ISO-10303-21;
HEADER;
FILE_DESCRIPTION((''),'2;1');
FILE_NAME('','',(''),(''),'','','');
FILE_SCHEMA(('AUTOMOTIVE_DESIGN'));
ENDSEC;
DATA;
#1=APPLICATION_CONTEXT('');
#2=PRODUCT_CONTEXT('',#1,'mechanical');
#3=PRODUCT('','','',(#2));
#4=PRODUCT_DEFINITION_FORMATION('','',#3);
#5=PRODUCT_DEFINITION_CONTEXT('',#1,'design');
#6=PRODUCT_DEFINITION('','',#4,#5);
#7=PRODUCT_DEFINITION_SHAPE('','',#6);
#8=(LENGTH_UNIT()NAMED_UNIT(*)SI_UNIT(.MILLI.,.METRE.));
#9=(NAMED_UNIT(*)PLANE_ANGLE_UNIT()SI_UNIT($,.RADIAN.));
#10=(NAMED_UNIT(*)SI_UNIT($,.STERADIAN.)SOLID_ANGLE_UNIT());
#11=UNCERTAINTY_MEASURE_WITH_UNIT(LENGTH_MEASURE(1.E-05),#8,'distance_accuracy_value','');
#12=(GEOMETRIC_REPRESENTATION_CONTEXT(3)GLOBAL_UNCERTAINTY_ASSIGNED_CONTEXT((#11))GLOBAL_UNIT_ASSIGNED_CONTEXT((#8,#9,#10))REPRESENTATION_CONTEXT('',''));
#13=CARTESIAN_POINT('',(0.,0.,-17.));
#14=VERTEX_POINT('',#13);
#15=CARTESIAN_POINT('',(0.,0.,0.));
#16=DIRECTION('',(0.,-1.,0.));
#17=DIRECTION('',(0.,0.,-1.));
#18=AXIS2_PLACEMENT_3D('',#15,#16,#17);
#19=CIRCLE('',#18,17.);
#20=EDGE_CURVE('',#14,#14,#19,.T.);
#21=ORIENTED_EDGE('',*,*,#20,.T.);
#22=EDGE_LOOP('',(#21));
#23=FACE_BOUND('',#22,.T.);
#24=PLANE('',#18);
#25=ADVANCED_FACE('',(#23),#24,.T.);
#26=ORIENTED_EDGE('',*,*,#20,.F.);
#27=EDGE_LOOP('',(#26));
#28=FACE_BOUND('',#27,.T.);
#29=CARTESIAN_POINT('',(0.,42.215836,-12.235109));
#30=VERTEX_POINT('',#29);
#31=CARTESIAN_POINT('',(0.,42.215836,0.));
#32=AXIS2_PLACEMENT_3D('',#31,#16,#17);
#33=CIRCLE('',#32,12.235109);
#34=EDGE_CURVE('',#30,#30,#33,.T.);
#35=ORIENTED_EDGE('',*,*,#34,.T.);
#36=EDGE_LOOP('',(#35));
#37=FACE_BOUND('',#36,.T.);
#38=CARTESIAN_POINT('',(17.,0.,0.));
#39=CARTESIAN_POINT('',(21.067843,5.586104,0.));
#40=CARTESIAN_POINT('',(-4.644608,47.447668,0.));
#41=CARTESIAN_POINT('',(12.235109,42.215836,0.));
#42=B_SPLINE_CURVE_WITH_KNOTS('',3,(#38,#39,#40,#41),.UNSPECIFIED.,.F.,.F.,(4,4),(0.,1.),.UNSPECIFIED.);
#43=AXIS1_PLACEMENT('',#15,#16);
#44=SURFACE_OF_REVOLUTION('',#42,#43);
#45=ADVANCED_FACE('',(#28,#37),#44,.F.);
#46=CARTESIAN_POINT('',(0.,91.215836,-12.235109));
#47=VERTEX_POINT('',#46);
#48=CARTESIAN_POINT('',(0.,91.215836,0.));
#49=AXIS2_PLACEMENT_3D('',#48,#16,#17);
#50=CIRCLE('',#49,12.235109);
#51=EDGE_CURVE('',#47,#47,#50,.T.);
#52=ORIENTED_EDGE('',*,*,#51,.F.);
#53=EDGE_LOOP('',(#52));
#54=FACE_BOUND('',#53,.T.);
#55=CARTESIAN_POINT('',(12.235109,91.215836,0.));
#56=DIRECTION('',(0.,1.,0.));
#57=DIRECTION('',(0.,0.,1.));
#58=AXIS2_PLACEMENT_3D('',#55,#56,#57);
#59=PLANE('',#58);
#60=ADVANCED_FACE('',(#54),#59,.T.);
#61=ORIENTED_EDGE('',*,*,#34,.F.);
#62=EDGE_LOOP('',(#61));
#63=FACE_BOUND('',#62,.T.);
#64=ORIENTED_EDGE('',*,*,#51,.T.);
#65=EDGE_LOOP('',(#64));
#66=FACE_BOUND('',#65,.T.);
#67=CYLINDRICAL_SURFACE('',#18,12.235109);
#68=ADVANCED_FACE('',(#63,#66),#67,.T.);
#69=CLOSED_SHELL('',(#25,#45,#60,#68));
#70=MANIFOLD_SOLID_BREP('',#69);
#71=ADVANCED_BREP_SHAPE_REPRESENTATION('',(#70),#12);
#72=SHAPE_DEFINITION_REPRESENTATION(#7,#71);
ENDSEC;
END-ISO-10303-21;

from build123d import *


with BuildPart() as part:
    # Sketch1 → Revolve1 (revolve)
    with BuildSketch(Plane.XY):
        with BuildLine():
            Line((0, 0), (17, 0))
            add(Edge.make_bspline(
                [(17, 0), (21.06784347, 5.586104345), (-4.644607655, 47.447667598), (12.235109489, 42.215835752)],
                knots=[0, 0, 0, 0, 1, 1, 1, 1], degree=3))
            Line((12.235109489, 42.215835752), (12.235109489, 91.215835752))
            Line((12.235109489, 91.215835752), (0, 91.215835752))
            Line((0, 91.215835752), (0, 0))
        make_face()
    revolve(axis=Axis((0, 0, 0), (0, 1, 0)))


solid = part.part
